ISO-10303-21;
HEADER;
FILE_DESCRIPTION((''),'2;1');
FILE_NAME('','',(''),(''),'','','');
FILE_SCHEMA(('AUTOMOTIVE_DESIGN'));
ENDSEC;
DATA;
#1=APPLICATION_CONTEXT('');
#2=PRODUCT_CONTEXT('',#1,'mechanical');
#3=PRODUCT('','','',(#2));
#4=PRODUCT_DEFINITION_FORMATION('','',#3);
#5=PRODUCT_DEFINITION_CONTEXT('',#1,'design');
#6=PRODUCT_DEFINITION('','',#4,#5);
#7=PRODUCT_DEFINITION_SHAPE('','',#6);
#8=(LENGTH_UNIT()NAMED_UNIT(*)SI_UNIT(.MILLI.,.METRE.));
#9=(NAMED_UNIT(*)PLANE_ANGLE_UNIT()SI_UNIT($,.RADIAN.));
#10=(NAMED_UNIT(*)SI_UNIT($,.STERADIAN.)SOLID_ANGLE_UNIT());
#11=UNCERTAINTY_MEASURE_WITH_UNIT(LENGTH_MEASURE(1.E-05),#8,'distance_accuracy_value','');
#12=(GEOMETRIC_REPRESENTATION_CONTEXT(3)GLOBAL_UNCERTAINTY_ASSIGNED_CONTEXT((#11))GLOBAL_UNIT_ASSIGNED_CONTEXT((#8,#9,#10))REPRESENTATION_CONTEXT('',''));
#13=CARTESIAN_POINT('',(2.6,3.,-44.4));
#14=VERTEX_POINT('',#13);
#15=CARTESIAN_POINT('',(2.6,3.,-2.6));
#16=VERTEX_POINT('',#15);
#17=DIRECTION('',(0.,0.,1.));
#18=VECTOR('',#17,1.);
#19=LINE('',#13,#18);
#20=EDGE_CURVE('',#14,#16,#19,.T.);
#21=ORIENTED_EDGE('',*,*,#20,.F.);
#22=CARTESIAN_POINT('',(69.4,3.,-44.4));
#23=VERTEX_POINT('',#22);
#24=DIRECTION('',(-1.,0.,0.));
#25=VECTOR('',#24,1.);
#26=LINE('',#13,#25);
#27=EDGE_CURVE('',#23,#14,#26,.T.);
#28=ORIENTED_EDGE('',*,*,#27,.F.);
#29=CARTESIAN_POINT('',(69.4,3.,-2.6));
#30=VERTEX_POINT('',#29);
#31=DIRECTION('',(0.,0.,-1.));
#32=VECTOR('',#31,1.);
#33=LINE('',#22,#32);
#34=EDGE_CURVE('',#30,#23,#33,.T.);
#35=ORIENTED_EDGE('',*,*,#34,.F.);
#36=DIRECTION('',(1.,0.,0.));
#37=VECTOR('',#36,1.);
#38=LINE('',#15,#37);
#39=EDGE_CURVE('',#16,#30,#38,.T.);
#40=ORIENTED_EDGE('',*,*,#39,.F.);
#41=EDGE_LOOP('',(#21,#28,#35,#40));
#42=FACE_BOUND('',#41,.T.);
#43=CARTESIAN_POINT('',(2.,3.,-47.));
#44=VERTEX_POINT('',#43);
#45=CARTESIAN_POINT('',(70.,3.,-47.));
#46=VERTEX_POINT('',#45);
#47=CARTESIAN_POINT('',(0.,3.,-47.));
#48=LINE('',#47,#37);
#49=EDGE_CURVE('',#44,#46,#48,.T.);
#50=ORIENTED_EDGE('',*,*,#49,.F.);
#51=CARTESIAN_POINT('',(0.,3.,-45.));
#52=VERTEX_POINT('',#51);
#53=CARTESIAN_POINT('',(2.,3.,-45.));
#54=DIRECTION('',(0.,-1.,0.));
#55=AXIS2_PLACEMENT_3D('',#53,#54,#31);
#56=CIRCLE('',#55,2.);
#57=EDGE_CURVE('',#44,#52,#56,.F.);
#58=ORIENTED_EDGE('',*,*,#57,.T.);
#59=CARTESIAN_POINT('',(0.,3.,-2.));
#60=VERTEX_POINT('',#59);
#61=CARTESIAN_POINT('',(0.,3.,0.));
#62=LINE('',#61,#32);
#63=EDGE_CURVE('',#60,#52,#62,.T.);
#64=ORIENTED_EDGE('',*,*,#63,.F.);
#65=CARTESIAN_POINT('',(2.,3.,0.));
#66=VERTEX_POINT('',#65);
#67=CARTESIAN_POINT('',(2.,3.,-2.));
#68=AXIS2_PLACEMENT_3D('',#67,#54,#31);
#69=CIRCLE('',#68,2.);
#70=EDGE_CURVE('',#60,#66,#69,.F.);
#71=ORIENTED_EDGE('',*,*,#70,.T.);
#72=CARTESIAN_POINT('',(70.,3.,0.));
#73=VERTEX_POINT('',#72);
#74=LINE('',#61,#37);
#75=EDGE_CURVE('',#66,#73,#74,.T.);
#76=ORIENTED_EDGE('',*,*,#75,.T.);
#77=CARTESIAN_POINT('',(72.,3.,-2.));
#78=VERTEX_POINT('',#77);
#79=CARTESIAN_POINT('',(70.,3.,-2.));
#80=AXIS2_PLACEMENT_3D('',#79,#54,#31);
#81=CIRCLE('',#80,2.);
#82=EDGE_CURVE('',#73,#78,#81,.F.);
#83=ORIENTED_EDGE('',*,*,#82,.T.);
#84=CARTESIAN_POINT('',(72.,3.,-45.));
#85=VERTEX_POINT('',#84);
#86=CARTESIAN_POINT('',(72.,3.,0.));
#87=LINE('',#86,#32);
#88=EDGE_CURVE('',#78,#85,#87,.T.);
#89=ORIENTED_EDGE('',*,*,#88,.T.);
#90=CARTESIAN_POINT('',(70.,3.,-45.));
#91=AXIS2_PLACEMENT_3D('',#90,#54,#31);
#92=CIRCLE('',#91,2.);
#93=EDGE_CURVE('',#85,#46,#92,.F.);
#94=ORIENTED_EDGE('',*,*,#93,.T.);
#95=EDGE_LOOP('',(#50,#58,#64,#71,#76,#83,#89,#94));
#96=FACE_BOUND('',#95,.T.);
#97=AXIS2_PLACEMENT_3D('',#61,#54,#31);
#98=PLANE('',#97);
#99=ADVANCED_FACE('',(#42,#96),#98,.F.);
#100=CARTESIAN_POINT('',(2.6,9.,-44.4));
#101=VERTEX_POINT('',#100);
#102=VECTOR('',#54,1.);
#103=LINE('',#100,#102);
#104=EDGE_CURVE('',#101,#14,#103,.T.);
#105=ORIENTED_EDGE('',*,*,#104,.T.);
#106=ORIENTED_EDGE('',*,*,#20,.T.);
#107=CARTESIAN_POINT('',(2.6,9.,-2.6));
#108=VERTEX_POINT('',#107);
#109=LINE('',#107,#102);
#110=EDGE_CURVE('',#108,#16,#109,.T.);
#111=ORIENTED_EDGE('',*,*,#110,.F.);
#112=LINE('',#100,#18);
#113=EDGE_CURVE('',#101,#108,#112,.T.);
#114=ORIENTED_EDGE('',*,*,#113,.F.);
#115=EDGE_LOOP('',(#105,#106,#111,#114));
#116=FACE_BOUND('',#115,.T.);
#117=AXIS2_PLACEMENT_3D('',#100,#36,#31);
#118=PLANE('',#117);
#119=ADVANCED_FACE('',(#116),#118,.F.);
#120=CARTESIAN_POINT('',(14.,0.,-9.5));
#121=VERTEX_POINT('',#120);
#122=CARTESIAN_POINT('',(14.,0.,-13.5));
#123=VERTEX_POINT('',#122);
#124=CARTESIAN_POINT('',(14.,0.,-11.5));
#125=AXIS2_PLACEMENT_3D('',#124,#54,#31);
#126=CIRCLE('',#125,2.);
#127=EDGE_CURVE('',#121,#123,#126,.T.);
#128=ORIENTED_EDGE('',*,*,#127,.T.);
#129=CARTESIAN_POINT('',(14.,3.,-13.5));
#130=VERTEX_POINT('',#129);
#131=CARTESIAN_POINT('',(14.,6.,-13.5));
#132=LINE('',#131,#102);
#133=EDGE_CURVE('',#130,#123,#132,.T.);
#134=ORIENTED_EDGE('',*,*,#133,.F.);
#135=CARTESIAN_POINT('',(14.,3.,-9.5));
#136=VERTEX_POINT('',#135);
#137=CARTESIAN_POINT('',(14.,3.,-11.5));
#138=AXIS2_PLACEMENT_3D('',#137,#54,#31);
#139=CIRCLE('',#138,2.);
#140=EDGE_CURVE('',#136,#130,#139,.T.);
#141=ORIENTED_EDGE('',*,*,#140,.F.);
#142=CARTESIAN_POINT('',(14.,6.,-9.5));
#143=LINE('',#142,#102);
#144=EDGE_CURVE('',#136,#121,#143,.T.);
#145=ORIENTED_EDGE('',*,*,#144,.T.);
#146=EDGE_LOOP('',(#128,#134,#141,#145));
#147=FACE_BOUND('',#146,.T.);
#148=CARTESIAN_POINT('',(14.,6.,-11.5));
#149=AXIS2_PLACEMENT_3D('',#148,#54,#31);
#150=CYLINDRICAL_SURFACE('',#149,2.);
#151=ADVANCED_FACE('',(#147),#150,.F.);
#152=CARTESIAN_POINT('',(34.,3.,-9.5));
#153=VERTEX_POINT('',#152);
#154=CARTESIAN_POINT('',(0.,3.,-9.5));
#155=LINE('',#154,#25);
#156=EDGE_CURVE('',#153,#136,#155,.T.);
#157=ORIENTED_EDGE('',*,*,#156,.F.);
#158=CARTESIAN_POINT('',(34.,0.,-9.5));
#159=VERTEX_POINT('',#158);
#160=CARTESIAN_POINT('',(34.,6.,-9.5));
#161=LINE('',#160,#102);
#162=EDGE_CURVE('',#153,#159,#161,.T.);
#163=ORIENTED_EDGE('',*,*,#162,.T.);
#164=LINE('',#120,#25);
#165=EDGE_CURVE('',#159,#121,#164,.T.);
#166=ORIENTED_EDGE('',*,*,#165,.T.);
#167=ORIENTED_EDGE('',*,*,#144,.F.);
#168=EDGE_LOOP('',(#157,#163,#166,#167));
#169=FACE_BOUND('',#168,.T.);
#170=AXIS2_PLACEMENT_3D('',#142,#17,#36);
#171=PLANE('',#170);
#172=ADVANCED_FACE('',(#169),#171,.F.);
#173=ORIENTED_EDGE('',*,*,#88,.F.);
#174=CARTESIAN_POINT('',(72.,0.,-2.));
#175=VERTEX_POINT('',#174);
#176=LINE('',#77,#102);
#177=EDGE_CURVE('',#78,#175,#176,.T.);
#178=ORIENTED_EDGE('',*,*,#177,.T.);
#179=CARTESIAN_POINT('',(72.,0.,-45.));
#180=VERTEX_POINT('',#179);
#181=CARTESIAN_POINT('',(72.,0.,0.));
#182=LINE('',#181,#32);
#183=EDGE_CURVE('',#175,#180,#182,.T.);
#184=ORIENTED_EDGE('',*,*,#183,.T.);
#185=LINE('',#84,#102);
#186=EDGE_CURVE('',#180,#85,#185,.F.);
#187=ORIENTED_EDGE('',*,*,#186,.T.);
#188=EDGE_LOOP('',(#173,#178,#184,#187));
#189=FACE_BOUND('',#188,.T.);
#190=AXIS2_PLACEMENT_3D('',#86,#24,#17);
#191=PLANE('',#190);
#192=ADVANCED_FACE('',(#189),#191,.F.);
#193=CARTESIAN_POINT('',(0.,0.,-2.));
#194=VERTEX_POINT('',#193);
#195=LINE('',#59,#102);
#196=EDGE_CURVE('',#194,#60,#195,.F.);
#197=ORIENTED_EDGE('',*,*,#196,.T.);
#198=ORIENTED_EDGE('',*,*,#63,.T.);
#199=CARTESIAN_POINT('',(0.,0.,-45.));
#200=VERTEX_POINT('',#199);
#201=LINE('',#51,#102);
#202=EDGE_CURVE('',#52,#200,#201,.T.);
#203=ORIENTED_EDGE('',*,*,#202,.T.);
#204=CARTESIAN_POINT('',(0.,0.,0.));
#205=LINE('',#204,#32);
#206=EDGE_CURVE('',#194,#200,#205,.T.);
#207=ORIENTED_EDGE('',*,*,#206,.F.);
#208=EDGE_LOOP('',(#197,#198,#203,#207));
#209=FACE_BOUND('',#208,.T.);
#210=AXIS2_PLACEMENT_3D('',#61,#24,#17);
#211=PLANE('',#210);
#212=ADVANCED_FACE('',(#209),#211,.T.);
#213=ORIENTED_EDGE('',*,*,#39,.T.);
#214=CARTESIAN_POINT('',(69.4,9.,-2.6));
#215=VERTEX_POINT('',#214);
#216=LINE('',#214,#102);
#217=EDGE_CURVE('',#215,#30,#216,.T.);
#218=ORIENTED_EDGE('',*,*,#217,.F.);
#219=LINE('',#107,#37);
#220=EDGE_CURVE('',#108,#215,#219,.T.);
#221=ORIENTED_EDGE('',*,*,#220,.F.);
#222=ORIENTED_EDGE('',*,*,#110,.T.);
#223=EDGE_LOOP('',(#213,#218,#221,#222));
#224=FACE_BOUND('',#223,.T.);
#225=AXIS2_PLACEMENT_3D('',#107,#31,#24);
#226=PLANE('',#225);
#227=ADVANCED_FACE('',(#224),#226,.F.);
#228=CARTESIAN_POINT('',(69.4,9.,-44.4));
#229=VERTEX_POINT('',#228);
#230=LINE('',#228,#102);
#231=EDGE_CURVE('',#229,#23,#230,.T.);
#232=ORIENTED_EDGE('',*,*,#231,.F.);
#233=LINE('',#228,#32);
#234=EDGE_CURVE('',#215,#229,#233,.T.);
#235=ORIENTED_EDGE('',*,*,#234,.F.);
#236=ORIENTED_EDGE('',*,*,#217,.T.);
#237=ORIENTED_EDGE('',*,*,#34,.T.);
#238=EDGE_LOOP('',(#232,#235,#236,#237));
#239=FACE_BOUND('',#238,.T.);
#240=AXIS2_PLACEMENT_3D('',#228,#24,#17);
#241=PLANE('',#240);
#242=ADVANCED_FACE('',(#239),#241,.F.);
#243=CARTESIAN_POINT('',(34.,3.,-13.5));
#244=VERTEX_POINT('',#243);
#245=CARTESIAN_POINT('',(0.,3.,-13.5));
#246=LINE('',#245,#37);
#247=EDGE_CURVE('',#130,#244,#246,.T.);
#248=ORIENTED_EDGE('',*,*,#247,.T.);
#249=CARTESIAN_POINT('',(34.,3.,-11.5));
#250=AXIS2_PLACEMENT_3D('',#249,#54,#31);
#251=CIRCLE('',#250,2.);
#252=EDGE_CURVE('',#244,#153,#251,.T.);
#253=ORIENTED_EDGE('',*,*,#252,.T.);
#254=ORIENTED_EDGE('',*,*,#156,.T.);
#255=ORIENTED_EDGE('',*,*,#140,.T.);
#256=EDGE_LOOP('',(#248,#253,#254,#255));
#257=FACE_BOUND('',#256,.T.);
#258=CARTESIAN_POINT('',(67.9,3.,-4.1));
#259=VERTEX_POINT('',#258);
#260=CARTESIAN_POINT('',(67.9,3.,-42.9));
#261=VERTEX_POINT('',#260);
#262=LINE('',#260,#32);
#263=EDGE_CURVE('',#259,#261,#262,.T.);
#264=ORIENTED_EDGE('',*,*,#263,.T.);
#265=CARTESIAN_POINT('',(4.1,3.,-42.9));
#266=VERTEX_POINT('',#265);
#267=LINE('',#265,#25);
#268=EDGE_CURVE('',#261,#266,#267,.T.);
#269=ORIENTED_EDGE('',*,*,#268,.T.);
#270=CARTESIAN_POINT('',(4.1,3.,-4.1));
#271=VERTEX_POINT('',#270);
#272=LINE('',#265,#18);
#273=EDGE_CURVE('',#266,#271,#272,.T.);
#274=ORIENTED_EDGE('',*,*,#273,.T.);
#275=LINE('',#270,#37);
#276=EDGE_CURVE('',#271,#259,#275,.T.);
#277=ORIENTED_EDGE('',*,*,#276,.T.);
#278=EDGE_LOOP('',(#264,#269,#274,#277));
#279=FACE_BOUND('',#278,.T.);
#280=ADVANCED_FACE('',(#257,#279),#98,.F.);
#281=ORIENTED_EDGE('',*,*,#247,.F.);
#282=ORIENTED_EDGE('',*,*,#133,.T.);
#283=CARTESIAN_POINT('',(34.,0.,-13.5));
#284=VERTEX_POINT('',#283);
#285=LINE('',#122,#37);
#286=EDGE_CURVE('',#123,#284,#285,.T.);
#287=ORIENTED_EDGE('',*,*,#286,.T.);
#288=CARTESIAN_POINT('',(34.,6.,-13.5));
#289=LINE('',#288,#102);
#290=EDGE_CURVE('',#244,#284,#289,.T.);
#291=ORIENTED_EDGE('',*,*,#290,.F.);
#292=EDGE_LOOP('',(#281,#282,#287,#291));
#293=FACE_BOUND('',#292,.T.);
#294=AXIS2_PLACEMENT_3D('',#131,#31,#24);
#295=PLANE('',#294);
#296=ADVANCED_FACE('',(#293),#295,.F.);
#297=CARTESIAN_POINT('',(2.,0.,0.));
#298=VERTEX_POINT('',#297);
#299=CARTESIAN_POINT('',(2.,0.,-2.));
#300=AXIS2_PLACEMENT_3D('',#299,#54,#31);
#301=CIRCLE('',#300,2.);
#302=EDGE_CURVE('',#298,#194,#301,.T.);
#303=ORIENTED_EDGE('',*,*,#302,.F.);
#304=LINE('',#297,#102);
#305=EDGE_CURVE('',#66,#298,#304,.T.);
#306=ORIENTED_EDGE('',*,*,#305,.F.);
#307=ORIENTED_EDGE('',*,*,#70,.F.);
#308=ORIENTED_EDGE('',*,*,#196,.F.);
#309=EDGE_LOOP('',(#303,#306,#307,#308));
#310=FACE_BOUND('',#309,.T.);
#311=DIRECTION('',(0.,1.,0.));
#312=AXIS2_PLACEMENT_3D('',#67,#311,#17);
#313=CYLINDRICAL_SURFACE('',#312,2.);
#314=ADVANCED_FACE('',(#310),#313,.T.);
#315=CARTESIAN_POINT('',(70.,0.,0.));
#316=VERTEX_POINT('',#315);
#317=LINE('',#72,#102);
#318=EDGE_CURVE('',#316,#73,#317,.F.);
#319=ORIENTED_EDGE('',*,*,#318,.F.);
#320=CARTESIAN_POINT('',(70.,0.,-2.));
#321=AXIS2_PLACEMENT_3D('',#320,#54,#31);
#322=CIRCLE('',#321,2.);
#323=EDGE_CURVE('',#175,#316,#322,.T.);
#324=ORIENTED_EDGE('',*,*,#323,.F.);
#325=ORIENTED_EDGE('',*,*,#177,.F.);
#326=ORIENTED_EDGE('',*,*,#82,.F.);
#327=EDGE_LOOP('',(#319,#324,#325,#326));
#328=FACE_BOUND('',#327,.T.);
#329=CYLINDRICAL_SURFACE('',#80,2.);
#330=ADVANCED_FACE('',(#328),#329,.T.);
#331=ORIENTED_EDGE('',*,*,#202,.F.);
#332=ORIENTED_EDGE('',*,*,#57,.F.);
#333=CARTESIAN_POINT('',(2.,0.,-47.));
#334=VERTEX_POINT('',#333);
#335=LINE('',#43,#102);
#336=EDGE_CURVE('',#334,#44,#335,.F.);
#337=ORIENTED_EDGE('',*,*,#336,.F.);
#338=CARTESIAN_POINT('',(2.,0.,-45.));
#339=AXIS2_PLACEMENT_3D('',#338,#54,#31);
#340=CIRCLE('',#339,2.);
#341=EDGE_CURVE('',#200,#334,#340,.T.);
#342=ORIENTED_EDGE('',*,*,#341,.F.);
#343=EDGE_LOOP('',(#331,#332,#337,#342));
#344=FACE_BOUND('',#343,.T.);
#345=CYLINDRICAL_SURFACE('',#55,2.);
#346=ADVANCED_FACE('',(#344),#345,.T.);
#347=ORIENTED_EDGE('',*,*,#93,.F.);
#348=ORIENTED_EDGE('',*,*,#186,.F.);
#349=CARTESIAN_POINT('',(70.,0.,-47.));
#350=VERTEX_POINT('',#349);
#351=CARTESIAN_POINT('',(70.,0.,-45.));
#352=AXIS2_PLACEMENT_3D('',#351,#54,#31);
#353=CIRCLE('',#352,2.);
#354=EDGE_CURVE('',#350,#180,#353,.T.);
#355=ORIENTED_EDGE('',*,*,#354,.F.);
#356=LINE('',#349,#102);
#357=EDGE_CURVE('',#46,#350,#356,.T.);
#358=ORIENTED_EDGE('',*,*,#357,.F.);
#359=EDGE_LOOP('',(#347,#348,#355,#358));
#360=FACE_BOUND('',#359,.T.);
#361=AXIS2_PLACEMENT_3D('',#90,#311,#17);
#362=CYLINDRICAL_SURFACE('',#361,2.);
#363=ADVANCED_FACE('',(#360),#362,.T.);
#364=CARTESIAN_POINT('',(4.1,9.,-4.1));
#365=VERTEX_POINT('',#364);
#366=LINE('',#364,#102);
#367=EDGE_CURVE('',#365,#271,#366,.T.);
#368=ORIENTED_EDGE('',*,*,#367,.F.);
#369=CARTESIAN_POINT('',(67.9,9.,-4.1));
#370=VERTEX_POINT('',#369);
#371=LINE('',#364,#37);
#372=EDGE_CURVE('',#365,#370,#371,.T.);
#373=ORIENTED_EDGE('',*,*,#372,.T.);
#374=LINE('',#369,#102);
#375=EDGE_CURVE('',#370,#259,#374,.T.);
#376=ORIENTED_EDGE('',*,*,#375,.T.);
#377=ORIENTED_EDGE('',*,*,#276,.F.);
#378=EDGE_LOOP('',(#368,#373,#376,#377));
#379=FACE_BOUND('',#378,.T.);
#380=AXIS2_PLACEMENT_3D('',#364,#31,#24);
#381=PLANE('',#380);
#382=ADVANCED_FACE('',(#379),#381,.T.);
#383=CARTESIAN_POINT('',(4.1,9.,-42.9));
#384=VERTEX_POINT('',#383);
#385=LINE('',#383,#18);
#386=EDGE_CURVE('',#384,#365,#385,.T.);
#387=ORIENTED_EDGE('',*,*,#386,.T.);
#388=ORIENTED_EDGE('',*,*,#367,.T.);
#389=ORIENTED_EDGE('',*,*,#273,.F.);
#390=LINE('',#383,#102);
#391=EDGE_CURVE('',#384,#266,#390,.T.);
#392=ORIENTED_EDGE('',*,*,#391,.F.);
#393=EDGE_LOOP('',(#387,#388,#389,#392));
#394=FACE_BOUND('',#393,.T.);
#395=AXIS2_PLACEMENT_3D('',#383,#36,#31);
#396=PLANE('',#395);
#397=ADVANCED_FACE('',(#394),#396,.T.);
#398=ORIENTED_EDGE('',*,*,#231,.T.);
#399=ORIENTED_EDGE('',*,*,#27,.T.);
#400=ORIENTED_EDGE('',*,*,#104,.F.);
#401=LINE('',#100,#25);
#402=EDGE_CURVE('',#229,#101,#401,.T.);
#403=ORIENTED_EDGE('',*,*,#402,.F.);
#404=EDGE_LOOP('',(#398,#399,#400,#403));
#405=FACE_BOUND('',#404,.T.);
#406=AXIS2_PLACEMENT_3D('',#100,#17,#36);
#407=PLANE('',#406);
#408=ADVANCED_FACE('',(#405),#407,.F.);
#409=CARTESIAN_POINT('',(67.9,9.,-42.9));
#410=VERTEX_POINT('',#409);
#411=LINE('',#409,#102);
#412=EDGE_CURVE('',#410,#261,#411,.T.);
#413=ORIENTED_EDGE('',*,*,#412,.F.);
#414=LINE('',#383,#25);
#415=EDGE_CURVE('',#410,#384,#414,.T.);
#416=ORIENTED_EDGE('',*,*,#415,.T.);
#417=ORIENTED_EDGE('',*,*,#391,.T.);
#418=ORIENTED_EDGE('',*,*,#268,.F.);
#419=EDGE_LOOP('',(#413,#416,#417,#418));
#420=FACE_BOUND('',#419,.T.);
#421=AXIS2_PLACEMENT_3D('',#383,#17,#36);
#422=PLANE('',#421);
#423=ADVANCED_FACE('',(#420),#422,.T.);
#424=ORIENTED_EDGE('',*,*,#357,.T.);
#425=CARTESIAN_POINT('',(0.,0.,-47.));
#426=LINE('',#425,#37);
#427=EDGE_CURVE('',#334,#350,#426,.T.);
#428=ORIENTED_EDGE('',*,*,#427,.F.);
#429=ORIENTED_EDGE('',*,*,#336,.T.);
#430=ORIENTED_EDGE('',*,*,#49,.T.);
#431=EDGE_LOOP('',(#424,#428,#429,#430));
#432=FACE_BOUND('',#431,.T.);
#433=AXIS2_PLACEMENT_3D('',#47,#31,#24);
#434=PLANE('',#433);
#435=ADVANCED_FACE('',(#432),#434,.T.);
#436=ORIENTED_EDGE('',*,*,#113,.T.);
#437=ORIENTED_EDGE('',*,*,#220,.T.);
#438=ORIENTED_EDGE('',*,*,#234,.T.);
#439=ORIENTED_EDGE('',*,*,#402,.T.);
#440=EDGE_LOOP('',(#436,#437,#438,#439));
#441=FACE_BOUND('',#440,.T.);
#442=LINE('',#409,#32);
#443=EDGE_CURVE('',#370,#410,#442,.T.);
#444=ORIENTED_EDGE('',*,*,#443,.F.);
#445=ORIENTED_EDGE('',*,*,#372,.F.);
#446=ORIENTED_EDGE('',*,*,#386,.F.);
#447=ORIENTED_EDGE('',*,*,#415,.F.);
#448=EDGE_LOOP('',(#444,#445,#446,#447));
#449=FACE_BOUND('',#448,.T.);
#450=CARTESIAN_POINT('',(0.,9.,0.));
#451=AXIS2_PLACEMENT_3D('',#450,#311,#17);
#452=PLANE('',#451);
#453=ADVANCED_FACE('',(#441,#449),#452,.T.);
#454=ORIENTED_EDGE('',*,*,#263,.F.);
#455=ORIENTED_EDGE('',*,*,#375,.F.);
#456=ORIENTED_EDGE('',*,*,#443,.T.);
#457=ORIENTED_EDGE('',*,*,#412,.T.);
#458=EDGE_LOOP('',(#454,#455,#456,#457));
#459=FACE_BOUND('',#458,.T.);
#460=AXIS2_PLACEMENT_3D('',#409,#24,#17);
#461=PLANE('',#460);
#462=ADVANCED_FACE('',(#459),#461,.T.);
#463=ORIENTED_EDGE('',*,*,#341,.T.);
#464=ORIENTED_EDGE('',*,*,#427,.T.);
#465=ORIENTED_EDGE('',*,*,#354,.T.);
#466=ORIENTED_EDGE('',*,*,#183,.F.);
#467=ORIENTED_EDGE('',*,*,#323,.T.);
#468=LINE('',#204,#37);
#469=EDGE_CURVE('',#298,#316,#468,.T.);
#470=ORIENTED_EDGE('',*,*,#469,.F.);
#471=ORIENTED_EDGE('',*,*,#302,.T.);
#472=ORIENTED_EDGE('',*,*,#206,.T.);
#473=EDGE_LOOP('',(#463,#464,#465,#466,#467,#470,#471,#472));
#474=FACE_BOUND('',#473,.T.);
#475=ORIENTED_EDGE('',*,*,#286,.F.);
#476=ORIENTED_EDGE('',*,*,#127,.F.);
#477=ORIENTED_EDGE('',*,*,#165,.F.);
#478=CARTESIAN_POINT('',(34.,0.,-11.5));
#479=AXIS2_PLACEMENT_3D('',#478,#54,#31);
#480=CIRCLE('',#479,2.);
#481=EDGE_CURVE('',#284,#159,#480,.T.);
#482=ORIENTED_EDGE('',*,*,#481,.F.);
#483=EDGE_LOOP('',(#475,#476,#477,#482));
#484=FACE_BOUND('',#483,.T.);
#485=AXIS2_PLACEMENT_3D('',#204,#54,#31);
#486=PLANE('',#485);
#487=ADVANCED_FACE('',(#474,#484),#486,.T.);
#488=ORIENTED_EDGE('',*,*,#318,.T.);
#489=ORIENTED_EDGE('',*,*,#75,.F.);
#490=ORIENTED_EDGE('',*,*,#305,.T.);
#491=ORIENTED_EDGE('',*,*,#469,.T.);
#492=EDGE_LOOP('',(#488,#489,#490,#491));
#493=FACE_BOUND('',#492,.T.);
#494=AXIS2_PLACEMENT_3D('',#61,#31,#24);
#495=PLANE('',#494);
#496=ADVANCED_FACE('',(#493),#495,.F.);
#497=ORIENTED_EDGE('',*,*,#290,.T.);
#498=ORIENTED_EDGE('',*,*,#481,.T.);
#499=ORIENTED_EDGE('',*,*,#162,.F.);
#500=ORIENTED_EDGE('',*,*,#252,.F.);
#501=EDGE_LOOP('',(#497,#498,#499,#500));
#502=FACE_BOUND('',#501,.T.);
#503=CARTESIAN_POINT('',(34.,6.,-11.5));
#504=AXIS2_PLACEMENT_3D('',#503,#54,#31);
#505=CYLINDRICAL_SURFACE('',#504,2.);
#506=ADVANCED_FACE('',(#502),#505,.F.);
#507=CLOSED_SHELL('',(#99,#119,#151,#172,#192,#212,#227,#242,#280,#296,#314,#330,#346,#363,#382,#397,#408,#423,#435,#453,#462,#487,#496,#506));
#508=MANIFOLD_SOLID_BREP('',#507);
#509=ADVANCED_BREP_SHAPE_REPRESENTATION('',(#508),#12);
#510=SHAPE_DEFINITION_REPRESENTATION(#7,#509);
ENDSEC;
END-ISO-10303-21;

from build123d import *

# Parameters (mm, degrees)
SKETCH2_W           = 72
SKETCH2_H           = 47
BOSS_EXTRUDE1_DEPTH = 3
FILLET1_R           = 2
SKETCH3_W           = 66.8
SKETCH3_H           = 41.8
SKETCH3_W_2         = 63.8
SKETCH3_H_2         = 38.8
BOSS_EXTRUDE2_DEPTH = 6
CUT_EXTRUDE1_DEPTH  = 6


with BuildPart() as part:
    # Sketch2 → Boss-Extrude1 (new body)
    with BuildSketch(Plane(origin=(0, 0, 0), x_dir=(1, 0, 0), z_dir=(0, 1, 0))):
        with Locations((36, 23.5)):
            Rectangle(SKETCH2_W, SKETCH2_H)
    extrude(amount=BOSS_EXTRUDE1_DEPTH)

    # Fillet1
    fillet1_edges = [part.edges().sort_by_distance(p)[0] for p in [
        (0, 1.5, 0),
        (72, 1.5, 0),
        (72, 1.5, -47),
        (0, 1.5, -47),
    ]]
    fillet(fillet1_edges, radius=FILLET1_R)

    # Sketch3 → Boss-Extrude2 (add)
    with BuildSketch(Plane(origin=(0, 3, 0), x_dir=(1, 0, 0), z_dir=(0, 1, 0))):
        with Locations((36, 23.5)):
            Rectangle(SKETCH3_W, SKETCH3_H)
        with Locations((36, 23.5)):
            Rectangle(SKETCH3_W_2, SKETCH3_H_2, mode=Mode.SUBTRACT)
    extrude(amount=BOSS_EXTRUDE2_DEPTH)

    # Sketch4 → Cut-Extrude1 (cut)
    with BuildSketch(Plane.XZ):
        with BuildLine():
            Line((14, -9.5), (34, -9.5))
            ThreePointArc((34, -9.5), (36, -11.5), (34, -13.5))
            Line((34, -13.5), (14, -13.5))
            ThreePointArc((14, -13.5), (12, -11.5), (14, -9.5))
        make_face()
    extrude(amount=-CUT_EXTRUDE1_DEPTH, mode=Mode.SUBTRACT)


solid = part.part
